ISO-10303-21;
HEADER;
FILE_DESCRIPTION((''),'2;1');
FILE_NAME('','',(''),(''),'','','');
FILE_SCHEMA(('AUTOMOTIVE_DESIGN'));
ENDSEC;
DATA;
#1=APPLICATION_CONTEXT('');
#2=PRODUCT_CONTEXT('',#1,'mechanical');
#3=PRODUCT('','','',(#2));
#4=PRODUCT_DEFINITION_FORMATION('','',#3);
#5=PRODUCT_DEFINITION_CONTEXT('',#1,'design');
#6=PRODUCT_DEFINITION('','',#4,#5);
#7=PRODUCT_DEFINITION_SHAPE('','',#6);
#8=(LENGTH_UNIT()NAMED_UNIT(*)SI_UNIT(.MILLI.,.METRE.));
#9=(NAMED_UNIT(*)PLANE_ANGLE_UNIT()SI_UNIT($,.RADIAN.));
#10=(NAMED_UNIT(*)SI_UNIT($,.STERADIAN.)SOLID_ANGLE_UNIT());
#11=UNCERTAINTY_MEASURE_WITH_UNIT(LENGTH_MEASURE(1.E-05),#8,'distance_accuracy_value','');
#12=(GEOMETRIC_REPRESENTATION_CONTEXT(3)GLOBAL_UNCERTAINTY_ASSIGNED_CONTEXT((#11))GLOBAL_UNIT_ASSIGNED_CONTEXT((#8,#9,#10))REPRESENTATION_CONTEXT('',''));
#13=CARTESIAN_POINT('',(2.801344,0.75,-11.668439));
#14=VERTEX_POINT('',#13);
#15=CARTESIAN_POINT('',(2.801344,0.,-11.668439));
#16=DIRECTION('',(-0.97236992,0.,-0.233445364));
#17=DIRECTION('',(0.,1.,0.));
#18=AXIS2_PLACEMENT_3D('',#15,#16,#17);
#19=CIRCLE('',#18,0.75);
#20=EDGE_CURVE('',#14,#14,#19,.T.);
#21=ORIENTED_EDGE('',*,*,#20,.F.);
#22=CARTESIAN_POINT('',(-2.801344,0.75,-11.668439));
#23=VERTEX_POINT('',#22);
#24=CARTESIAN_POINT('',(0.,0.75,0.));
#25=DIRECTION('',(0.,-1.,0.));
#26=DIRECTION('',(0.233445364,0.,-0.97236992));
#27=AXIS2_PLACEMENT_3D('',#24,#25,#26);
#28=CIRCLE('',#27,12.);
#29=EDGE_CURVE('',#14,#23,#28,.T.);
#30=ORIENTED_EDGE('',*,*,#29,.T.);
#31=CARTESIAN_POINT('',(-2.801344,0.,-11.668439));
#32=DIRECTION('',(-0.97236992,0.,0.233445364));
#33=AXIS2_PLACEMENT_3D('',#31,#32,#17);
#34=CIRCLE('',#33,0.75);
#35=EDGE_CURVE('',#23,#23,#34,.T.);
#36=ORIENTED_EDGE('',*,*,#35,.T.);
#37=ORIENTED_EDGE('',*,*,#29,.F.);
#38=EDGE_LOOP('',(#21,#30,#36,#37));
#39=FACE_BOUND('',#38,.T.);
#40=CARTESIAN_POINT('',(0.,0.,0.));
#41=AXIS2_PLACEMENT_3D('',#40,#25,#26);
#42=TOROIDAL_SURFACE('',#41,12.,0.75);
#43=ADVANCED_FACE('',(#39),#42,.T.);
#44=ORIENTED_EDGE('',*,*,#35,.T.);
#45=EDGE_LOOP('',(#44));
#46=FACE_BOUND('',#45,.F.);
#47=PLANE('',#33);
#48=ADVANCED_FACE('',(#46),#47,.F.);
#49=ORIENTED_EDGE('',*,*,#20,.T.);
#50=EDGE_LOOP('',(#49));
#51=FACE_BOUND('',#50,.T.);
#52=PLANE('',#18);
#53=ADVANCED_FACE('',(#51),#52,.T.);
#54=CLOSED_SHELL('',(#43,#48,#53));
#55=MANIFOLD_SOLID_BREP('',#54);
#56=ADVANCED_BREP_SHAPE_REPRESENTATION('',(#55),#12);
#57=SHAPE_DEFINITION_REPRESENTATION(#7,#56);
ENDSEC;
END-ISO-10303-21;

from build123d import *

# Parameters (mm, degrees)
F0_R          = 0.75
F1_ANGLE_BACK = 166.5
F1_ANGLE      = 333


with BuildPart() as f1:
    # F0 (on Right) → F1 (revolve)
    with BuildSketch(Plane.YZ, mode=Mode.PRIVATE) as f1_sk:
        with Locations((0, 12)):
            Circle(F0_R)
    revolve(f1_sk.sketch.rotate(Axis((0, -10, 0), (0, -1, 0)), -F1_ANGLE_BACK), axis=Axis((0, -10, 0), (0, -1, 0)), revolution_arc=F1_ANGLE)


solid = f1.part
